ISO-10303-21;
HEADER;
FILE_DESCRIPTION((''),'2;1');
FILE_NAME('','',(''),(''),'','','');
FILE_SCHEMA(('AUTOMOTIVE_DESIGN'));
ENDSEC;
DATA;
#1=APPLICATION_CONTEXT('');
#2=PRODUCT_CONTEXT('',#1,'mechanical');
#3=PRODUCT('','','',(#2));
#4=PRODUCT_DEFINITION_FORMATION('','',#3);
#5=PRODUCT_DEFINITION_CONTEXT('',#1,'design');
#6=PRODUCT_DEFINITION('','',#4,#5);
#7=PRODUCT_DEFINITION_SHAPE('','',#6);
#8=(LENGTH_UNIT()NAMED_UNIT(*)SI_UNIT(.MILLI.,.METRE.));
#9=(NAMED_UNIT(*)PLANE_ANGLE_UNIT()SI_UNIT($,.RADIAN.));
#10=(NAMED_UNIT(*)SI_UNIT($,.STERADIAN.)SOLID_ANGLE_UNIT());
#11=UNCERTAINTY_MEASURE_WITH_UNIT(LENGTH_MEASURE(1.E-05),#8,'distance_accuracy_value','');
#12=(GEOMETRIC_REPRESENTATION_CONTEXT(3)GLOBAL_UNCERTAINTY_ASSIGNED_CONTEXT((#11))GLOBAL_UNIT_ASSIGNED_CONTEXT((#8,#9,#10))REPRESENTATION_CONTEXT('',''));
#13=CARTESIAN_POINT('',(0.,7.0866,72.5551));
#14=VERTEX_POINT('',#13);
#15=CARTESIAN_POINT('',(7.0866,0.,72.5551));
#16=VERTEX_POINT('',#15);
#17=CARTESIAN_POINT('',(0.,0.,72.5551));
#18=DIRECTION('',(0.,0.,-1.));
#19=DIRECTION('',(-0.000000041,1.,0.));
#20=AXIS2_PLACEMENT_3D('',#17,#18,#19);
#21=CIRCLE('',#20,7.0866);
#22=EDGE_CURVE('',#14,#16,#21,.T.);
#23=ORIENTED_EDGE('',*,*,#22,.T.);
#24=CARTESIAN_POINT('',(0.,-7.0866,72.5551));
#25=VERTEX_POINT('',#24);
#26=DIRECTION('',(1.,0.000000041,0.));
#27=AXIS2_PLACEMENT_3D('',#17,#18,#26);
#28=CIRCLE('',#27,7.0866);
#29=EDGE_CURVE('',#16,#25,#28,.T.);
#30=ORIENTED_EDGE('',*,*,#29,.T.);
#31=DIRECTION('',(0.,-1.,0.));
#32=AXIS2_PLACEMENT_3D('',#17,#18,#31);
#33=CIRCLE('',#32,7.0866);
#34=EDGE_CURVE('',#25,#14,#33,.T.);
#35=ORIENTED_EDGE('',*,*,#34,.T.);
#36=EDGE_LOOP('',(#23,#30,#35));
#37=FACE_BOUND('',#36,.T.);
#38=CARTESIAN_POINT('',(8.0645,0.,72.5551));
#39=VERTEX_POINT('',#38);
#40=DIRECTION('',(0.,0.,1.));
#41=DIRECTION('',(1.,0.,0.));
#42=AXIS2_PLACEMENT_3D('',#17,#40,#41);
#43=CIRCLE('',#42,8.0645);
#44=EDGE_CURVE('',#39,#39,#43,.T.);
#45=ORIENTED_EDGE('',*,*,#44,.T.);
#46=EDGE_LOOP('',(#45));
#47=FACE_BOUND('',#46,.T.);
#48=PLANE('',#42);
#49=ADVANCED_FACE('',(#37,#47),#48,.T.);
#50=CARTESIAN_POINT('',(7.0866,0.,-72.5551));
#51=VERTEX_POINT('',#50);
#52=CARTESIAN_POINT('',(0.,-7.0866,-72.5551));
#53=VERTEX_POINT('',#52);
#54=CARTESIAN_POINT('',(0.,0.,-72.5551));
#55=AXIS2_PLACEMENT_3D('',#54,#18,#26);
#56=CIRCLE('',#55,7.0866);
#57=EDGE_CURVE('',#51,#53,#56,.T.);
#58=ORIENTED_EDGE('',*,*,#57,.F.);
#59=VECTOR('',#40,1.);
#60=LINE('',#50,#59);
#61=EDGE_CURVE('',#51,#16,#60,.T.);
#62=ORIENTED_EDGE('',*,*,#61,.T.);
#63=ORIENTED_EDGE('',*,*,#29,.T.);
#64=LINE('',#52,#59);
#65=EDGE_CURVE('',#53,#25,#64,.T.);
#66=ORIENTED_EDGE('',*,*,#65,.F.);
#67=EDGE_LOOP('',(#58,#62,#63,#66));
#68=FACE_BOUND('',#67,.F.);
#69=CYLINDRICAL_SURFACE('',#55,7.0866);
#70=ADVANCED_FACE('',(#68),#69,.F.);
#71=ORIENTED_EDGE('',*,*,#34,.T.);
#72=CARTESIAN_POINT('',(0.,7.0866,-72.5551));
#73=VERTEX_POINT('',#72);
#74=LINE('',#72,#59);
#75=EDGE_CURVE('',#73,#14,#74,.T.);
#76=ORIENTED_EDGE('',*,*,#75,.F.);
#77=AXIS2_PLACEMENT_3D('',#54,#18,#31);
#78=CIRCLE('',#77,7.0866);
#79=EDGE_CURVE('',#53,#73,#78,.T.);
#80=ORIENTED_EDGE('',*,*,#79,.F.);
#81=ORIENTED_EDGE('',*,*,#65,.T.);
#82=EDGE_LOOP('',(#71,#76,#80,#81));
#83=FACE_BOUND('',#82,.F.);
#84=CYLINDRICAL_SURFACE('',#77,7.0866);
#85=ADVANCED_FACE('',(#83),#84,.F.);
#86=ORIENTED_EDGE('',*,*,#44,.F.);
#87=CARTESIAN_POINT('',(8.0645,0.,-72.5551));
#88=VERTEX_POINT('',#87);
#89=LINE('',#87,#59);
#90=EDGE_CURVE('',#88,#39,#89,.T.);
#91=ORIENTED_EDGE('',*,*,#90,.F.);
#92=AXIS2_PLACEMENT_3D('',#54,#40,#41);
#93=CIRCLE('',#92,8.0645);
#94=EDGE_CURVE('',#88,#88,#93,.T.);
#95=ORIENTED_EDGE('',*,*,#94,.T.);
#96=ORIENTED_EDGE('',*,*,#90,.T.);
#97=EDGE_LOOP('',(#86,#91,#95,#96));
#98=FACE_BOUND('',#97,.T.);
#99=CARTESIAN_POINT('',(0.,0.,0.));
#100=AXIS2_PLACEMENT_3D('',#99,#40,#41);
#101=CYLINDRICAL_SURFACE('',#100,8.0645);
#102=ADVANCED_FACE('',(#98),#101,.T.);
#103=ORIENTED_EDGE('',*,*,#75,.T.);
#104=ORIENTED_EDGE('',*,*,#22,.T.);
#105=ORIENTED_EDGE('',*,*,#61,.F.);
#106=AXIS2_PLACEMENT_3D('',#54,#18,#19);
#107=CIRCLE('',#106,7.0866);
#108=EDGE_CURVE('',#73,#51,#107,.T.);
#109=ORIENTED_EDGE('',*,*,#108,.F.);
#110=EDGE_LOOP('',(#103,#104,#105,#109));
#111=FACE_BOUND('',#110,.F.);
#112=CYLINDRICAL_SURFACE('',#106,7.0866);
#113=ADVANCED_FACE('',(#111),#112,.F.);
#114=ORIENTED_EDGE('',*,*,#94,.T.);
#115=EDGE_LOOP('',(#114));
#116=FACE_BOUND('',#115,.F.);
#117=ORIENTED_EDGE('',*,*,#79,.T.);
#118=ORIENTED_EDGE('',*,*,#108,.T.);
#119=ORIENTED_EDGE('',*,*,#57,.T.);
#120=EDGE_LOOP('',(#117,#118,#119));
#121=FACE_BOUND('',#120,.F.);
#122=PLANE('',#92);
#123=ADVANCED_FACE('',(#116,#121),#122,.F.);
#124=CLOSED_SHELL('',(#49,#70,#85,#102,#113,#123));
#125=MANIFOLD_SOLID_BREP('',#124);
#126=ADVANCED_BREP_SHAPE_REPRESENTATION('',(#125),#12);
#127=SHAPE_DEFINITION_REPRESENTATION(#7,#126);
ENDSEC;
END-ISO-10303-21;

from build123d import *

# Parameters (mm, degrees)
F0_R     = 8.0645
F1_DEPTH = 72.5551
F2_DEPTH = 72.5551
F3_DEPTH = 25.4
F5_DEPTH = 145.1102


with BuildPart() as f1:
    # F0 (on Top) → F1 (new body)
    with BuildSketch(Plane.XY):
        Circle(F0_R)
    extrude(amount=F1_DEPTH)

    # F0 (on Top) → F2 (join)
    with BuildSketch(Plane.XY):
        Circle(F0_R)
    extrude(amount=-F2_DEPTH)

    # F0 (on Top) → F3 (join)
    with BuildSketch(Plane.XY):
        Circle(F0_R)
    extrude(amount=F3_DEPTH)

    # F4 (on face) → F5 (cut)
    with BuildSketch(Plane(origin=(0, 0, -72.5551), x_dir=(1, 0, 0), z_dir=(0, 0, -1))):
        with BuildLine():
            Line((0, -7.0866), (0, 7.0866))
            ThreePointArc((0, 7.0866), (-7.0866, 0), (0, -7.0866))
        make_face()
        with BuildLine():
            ThreePointArc((0, -7.0866), (5.010983, -5.010983), (7.0866, 0))
            ThreePointArc((7.0866, 0), (5.010983, 5.010983), (0, 7.0866))
            Line((0, 7.0866), (0, -7.0866))
        make_face()
    extrude(amount=-F5_DEPTH, mode=Mode.SUBTRACT)


solid = f1.part
